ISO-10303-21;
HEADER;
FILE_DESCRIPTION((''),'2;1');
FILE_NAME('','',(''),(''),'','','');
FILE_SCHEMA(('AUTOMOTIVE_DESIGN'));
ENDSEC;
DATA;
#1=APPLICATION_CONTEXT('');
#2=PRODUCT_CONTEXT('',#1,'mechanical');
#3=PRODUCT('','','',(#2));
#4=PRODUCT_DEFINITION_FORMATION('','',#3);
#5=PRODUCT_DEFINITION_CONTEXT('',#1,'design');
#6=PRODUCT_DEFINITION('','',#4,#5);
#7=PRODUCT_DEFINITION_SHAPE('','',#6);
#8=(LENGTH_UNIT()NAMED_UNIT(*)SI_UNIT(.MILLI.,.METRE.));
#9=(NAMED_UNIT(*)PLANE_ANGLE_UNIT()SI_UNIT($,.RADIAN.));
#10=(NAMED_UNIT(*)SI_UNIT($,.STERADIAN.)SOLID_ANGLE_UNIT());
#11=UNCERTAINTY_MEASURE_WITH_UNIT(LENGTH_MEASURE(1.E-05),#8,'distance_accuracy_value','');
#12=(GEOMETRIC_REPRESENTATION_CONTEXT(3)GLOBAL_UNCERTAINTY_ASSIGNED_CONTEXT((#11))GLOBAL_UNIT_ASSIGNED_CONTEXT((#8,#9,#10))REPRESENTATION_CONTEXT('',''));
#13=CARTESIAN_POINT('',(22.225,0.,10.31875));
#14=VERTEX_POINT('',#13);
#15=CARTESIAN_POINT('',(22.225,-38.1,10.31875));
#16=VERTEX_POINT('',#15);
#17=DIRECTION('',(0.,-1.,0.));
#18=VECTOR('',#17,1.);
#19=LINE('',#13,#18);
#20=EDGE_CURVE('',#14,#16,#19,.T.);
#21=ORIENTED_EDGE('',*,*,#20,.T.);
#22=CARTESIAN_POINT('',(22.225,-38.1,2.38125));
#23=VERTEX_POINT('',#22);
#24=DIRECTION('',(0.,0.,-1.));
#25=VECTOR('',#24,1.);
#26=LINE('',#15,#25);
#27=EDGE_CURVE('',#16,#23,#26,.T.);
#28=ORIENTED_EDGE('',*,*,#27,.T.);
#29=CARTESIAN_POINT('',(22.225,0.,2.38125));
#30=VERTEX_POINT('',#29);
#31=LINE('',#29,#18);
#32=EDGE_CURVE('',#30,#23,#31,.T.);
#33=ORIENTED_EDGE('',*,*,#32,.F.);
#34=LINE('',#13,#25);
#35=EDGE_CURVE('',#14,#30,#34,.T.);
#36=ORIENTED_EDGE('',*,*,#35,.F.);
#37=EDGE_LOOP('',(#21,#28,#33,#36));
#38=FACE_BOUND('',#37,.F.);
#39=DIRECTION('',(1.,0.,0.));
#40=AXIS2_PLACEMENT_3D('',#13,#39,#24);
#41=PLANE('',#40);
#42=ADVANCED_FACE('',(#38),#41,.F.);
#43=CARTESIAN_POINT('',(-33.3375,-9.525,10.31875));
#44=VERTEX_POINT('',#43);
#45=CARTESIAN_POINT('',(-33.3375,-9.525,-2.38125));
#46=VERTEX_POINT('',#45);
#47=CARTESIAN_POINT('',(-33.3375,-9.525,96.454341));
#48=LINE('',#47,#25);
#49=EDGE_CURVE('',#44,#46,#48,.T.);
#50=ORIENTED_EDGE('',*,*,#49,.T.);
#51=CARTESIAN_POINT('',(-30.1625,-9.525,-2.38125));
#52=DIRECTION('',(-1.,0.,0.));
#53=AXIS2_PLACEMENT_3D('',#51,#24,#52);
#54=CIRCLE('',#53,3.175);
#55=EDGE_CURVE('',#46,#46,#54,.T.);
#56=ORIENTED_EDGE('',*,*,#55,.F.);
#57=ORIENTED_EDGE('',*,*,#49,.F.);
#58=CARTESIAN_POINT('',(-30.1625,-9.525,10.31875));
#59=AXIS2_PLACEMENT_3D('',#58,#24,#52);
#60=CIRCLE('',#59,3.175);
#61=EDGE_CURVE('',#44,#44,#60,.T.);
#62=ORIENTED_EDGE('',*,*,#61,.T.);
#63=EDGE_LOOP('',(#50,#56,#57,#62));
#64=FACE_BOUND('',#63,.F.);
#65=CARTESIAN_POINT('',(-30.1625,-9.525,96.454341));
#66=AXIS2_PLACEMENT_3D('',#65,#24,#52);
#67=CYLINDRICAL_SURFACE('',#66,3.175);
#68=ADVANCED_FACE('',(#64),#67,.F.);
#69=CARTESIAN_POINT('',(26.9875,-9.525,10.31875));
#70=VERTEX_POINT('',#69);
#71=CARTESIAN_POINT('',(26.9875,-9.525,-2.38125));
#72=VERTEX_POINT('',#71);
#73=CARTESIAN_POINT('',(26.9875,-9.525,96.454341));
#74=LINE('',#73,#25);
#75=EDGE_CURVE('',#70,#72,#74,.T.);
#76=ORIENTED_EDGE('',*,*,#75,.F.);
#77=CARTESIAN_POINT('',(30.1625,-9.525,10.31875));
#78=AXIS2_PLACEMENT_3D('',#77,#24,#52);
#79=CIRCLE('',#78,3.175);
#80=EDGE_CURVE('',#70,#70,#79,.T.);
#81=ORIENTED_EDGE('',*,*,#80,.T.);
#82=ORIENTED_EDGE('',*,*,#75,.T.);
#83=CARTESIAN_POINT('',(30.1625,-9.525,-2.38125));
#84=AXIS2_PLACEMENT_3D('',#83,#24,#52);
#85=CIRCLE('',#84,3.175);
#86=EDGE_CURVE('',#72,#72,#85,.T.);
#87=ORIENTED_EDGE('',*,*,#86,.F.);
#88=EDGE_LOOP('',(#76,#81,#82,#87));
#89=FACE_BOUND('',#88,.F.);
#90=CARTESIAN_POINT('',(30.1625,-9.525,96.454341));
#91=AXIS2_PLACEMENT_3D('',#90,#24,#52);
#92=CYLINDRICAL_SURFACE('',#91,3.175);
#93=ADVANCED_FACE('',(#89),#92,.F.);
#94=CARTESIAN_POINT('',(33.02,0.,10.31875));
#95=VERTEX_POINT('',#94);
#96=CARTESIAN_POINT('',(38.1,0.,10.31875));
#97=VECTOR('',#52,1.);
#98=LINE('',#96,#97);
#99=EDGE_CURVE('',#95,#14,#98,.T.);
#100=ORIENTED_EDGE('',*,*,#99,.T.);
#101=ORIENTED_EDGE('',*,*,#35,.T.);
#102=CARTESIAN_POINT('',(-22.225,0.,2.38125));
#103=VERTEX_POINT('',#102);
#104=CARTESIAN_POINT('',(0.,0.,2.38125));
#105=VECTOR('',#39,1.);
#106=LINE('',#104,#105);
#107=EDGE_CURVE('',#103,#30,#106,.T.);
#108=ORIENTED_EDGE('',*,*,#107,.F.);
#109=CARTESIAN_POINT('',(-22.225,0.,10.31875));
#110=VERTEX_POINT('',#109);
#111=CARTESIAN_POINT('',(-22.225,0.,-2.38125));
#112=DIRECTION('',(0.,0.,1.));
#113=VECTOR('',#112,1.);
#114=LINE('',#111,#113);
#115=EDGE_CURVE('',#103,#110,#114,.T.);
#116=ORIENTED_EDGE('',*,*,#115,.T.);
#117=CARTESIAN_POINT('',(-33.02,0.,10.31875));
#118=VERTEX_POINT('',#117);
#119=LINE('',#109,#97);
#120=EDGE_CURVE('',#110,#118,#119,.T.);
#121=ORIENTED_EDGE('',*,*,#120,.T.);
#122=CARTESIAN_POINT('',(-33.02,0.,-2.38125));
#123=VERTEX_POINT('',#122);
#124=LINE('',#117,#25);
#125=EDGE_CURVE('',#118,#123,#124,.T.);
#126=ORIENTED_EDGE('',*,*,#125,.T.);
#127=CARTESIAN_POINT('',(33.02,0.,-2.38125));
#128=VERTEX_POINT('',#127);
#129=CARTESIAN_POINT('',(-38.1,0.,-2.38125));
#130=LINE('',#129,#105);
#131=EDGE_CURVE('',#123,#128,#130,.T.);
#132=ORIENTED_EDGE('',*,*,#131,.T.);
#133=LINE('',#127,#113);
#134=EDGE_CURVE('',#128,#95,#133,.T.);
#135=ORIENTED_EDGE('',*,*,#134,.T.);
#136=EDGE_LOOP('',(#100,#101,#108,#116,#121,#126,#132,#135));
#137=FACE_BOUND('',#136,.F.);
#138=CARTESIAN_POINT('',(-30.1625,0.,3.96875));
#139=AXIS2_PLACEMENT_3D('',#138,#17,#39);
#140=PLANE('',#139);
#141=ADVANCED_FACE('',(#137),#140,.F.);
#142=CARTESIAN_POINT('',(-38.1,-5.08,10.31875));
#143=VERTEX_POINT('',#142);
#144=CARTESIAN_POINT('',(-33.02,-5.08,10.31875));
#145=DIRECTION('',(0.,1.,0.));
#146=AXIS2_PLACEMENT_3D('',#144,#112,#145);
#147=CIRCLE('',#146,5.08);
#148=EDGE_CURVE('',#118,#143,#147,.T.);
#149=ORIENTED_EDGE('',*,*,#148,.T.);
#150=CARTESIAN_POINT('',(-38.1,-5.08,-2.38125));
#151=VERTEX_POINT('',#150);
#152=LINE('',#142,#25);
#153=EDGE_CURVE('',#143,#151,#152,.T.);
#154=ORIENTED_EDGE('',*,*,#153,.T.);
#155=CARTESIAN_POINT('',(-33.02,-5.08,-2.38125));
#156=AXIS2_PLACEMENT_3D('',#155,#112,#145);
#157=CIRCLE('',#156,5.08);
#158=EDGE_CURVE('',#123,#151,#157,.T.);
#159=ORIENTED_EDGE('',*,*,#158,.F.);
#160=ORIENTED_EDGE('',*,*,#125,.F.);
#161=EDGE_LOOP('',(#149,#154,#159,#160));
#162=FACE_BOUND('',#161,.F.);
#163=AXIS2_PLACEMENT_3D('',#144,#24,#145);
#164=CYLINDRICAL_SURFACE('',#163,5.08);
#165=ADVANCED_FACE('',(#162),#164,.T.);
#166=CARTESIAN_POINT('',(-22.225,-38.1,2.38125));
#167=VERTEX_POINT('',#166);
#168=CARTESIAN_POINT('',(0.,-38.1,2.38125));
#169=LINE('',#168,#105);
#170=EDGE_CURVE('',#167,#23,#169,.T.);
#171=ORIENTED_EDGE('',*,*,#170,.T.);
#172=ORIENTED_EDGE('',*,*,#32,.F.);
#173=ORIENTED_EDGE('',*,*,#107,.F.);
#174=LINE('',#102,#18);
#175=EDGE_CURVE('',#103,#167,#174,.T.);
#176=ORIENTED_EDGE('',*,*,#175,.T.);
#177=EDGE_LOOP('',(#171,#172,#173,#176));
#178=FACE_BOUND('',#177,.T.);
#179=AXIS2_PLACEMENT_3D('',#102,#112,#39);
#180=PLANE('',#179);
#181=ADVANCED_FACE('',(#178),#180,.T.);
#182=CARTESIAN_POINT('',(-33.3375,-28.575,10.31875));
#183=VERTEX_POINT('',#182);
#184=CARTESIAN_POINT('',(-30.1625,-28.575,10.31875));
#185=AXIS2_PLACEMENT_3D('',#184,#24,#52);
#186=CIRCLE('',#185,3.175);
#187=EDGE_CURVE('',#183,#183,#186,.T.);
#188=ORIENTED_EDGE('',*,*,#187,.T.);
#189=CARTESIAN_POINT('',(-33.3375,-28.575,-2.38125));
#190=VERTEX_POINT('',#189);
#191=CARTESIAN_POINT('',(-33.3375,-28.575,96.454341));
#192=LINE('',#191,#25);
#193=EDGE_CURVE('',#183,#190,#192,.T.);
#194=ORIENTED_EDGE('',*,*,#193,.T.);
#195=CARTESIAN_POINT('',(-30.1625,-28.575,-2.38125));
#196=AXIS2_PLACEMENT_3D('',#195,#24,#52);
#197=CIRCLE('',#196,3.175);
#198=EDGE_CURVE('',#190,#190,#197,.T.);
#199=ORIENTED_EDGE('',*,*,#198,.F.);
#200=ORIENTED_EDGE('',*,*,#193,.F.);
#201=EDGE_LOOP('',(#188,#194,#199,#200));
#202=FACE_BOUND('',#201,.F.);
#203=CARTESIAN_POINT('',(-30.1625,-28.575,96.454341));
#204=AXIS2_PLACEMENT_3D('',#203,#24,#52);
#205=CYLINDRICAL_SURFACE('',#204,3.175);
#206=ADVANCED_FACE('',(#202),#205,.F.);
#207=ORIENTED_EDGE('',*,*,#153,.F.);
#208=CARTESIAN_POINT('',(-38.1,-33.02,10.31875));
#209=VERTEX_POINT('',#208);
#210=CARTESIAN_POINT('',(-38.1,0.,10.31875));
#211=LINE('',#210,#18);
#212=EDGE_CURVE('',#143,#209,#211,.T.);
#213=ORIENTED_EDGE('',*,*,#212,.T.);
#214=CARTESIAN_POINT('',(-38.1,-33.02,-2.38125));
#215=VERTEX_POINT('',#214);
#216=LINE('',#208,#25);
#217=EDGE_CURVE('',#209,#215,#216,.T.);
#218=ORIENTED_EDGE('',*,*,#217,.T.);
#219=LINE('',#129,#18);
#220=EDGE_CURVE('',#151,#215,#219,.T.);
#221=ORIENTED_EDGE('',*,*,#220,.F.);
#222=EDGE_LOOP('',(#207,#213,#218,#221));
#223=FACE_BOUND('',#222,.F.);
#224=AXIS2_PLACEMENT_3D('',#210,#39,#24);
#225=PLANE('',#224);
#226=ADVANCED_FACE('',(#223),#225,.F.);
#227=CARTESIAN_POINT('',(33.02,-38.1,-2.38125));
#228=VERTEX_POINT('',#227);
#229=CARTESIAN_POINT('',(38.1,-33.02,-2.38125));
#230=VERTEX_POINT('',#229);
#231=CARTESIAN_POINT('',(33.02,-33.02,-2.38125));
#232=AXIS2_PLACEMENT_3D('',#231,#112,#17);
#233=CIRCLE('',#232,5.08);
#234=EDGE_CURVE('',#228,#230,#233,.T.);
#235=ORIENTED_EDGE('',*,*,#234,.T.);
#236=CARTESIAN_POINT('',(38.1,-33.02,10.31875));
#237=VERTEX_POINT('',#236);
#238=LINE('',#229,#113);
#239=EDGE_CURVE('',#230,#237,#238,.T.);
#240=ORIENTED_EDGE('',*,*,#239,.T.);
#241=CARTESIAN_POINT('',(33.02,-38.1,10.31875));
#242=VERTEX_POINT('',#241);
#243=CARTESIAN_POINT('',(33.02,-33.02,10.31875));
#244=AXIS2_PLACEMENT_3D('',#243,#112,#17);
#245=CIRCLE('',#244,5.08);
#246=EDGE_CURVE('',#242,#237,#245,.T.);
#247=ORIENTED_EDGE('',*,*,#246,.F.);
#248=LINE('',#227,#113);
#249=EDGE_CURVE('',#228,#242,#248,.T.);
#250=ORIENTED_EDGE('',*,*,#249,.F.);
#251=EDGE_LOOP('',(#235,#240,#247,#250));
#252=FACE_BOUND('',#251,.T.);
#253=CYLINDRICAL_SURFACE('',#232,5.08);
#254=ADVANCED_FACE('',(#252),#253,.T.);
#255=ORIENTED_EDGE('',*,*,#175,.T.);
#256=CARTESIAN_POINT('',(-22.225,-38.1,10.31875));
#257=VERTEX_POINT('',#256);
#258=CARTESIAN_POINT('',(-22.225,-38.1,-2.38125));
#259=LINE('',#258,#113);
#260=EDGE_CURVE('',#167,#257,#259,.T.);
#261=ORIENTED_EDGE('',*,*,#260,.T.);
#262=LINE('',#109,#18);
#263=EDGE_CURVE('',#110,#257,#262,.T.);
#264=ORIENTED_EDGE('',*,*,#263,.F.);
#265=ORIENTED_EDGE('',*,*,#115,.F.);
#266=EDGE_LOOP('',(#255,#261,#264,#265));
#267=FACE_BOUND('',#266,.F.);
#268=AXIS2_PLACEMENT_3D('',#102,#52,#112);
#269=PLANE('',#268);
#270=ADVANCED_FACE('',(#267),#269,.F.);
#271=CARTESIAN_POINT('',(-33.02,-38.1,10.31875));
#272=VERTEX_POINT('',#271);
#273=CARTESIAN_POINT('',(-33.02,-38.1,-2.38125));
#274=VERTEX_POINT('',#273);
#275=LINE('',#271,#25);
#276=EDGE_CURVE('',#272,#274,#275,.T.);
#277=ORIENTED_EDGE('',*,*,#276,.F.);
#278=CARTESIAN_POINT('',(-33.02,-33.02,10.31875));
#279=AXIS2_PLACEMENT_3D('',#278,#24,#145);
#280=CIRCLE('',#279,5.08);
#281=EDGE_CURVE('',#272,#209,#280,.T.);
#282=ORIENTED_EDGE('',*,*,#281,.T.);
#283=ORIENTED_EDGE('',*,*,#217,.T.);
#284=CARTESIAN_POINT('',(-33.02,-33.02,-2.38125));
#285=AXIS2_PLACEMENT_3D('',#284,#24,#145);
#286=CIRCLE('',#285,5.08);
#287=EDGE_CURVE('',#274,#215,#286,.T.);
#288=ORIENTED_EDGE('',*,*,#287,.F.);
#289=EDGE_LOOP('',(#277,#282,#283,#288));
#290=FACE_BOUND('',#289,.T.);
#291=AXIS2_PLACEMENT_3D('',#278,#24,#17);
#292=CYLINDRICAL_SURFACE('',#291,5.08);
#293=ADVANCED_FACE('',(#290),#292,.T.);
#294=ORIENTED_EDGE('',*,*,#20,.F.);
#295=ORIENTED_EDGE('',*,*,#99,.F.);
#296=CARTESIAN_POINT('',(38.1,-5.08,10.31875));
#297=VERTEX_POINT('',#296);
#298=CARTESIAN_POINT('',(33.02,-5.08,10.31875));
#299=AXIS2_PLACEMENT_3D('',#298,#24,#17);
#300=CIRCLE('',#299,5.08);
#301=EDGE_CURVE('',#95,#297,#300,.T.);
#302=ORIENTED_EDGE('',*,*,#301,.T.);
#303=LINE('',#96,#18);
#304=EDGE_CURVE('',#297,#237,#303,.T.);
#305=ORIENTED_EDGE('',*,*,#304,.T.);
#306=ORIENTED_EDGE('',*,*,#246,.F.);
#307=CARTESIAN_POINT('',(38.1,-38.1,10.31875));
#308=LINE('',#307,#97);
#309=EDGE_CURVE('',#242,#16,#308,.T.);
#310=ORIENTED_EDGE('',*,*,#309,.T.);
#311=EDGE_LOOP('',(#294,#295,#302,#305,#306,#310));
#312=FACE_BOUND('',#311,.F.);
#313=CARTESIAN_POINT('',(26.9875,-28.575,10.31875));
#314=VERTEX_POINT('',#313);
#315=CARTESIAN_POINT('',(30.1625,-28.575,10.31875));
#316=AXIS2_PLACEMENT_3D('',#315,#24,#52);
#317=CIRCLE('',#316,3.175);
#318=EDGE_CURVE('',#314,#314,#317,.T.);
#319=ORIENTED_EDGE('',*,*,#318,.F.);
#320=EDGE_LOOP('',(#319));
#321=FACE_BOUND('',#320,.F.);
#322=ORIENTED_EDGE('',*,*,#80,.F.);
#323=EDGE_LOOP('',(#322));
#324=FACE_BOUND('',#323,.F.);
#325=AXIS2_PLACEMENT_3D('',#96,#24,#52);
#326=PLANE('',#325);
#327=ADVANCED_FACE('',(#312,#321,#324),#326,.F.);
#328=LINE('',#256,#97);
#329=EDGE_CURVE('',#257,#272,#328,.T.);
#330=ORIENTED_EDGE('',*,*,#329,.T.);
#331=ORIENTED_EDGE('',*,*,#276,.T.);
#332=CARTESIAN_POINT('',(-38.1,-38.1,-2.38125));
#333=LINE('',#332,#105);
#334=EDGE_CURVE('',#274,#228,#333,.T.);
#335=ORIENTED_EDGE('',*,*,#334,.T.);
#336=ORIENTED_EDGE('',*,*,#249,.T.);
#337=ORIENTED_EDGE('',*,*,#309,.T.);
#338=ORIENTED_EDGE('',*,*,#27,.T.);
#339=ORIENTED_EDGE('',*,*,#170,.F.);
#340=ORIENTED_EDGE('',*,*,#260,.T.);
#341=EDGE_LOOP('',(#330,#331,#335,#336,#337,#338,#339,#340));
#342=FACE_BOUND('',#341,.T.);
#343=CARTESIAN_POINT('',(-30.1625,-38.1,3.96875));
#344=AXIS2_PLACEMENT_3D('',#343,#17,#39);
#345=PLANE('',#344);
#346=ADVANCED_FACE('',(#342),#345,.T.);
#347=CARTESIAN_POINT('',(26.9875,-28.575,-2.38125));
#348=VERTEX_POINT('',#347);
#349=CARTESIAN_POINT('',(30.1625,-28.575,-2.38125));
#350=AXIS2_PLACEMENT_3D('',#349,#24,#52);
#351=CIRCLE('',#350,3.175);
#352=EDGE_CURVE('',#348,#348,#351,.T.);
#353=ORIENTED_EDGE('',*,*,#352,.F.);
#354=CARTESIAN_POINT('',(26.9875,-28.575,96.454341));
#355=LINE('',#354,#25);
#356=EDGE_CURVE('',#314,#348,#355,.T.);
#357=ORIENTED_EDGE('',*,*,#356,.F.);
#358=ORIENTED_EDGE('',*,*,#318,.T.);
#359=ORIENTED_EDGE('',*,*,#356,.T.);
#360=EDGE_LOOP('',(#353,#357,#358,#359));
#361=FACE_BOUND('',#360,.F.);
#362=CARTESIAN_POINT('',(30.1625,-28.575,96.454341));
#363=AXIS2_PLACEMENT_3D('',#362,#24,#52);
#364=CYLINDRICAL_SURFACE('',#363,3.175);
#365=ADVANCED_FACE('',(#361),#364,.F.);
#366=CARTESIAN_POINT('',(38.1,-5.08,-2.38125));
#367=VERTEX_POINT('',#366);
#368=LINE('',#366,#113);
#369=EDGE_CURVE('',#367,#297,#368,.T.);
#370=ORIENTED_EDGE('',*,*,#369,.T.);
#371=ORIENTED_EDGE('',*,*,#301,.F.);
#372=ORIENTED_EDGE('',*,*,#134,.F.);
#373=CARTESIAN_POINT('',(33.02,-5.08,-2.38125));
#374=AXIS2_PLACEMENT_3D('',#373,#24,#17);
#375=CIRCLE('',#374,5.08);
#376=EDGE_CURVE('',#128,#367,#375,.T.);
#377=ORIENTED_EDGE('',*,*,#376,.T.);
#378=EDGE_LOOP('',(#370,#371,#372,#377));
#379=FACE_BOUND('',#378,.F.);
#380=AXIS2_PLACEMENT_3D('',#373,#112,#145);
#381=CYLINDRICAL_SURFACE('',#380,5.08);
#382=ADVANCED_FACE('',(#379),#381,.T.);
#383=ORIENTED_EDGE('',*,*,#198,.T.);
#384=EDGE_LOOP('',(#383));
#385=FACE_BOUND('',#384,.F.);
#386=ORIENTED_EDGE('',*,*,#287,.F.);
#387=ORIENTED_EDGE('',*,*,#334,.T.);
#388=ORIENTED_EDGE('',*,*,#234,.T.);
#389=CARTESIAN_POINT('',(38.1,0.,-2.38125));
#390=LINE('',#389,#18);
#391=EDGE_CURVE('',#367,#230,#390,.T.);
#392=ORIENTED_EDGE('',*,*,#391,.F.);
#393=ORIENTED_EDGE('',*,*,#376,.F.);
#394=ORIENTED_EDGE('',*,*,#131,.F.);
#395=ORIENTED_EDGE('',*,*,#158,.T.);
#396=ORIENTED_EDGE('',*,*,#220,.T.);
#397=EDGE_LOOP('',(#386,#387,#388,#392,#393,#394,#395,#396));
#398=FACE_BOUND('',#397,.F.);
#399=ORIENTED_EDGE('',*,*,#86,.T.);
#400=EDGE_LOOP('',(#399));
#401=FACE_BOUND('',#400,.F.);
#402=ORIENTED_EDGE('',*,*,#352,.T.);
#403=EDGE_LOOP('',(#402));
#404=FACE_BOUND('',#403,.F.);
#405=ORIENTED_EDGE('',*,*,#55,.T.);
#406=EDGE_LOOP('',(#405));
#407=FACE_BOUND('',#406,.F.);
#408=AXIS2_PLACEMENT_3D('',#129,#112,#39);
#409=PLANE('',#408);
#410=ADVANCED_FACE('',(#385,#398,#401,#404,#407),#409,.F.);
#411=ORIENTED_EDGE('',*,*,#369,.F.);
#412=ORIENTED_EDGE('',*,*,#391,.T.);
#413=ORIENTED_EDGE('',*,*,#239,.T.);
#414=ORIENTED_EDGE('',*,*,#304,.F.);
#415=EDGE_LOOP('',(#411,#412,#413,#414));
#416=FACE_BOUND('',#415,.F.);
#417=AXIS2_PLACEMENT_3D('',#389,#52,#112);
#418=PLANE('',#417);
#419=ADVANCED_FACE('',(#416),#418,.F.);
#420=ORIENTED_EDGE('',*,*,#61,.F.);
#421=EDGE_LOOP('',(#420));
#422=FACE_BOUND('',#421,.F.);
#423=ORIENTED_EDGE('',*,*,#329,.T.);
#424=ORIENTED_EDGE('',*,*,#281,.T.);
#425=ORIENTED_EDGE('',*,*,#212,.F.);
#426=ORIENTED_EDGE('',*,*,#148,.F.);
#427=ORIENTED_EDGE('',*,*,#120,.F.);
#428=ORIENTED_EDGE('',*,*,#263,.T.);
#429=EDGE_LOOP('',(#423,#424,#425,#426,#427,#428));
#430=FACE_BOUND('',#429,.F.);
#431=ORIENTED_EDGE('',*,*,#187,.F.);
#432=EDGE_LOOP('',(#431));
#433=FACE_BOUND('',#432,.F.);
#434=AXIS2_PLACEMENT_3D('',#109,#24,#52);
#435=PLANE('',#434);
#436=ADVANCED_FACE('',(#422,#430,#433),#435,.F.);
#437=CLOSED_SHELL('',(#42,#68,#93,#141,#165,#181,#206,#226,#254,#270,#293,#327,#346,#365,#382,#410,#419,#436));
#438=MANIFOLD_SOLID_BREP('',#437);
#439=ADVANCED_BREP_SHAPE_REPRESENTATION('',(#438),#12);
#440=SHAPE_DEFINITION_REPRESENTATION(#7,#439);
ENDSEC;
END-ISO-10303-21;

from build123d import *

# Parameters (mm, degrees)
F0_W     = 44.45
F0_H     = 4.7625
F1_DEPTH = 38.1
F3_D     = 6.35
F4_R     = 5.08


with BuildPart() as f1:
    # F0 (on Front) → F1 (new body)
    with BuildSketch(Plane.XZ):
        Polygon((-22.225, -2.38125), (-22.225, 2.38125), (-22.225, 10.31875), (-38.1, 10.31875), (-38.1, -2.38125), align=None)
        Rectangle(F0_W, F0_H)
        Polygon((22.225, 10.31875), (22.225, 2.38125), (22.225, -2.38125), (38.1, -2.38125), (38.1, 10.31875), align=None)
    extrude(amount=F1_DEPTH)

    # F3 (through all)
    with Locations(Plane.XY.offset(10.31875)):
        with Locations((-30.1625, -9.525), (-30.1625, -28.575), (30.1625, -9.525), (30.1625, -28.575)):
            Hole(F3_D / 2)

    # F4
    f4_edges = [f1.edges().sort_by_distance(p)[0] for p in [
        (38.1, 0, 3.96875),
        (38.1, -38.1, 3.96875),
        (-38.1, 0, 3.96875),
        (-38.1, -38.1, 3.96875),
    ]]
    fillet(f4_edges, radius=F4_R)


solid = f1.part
